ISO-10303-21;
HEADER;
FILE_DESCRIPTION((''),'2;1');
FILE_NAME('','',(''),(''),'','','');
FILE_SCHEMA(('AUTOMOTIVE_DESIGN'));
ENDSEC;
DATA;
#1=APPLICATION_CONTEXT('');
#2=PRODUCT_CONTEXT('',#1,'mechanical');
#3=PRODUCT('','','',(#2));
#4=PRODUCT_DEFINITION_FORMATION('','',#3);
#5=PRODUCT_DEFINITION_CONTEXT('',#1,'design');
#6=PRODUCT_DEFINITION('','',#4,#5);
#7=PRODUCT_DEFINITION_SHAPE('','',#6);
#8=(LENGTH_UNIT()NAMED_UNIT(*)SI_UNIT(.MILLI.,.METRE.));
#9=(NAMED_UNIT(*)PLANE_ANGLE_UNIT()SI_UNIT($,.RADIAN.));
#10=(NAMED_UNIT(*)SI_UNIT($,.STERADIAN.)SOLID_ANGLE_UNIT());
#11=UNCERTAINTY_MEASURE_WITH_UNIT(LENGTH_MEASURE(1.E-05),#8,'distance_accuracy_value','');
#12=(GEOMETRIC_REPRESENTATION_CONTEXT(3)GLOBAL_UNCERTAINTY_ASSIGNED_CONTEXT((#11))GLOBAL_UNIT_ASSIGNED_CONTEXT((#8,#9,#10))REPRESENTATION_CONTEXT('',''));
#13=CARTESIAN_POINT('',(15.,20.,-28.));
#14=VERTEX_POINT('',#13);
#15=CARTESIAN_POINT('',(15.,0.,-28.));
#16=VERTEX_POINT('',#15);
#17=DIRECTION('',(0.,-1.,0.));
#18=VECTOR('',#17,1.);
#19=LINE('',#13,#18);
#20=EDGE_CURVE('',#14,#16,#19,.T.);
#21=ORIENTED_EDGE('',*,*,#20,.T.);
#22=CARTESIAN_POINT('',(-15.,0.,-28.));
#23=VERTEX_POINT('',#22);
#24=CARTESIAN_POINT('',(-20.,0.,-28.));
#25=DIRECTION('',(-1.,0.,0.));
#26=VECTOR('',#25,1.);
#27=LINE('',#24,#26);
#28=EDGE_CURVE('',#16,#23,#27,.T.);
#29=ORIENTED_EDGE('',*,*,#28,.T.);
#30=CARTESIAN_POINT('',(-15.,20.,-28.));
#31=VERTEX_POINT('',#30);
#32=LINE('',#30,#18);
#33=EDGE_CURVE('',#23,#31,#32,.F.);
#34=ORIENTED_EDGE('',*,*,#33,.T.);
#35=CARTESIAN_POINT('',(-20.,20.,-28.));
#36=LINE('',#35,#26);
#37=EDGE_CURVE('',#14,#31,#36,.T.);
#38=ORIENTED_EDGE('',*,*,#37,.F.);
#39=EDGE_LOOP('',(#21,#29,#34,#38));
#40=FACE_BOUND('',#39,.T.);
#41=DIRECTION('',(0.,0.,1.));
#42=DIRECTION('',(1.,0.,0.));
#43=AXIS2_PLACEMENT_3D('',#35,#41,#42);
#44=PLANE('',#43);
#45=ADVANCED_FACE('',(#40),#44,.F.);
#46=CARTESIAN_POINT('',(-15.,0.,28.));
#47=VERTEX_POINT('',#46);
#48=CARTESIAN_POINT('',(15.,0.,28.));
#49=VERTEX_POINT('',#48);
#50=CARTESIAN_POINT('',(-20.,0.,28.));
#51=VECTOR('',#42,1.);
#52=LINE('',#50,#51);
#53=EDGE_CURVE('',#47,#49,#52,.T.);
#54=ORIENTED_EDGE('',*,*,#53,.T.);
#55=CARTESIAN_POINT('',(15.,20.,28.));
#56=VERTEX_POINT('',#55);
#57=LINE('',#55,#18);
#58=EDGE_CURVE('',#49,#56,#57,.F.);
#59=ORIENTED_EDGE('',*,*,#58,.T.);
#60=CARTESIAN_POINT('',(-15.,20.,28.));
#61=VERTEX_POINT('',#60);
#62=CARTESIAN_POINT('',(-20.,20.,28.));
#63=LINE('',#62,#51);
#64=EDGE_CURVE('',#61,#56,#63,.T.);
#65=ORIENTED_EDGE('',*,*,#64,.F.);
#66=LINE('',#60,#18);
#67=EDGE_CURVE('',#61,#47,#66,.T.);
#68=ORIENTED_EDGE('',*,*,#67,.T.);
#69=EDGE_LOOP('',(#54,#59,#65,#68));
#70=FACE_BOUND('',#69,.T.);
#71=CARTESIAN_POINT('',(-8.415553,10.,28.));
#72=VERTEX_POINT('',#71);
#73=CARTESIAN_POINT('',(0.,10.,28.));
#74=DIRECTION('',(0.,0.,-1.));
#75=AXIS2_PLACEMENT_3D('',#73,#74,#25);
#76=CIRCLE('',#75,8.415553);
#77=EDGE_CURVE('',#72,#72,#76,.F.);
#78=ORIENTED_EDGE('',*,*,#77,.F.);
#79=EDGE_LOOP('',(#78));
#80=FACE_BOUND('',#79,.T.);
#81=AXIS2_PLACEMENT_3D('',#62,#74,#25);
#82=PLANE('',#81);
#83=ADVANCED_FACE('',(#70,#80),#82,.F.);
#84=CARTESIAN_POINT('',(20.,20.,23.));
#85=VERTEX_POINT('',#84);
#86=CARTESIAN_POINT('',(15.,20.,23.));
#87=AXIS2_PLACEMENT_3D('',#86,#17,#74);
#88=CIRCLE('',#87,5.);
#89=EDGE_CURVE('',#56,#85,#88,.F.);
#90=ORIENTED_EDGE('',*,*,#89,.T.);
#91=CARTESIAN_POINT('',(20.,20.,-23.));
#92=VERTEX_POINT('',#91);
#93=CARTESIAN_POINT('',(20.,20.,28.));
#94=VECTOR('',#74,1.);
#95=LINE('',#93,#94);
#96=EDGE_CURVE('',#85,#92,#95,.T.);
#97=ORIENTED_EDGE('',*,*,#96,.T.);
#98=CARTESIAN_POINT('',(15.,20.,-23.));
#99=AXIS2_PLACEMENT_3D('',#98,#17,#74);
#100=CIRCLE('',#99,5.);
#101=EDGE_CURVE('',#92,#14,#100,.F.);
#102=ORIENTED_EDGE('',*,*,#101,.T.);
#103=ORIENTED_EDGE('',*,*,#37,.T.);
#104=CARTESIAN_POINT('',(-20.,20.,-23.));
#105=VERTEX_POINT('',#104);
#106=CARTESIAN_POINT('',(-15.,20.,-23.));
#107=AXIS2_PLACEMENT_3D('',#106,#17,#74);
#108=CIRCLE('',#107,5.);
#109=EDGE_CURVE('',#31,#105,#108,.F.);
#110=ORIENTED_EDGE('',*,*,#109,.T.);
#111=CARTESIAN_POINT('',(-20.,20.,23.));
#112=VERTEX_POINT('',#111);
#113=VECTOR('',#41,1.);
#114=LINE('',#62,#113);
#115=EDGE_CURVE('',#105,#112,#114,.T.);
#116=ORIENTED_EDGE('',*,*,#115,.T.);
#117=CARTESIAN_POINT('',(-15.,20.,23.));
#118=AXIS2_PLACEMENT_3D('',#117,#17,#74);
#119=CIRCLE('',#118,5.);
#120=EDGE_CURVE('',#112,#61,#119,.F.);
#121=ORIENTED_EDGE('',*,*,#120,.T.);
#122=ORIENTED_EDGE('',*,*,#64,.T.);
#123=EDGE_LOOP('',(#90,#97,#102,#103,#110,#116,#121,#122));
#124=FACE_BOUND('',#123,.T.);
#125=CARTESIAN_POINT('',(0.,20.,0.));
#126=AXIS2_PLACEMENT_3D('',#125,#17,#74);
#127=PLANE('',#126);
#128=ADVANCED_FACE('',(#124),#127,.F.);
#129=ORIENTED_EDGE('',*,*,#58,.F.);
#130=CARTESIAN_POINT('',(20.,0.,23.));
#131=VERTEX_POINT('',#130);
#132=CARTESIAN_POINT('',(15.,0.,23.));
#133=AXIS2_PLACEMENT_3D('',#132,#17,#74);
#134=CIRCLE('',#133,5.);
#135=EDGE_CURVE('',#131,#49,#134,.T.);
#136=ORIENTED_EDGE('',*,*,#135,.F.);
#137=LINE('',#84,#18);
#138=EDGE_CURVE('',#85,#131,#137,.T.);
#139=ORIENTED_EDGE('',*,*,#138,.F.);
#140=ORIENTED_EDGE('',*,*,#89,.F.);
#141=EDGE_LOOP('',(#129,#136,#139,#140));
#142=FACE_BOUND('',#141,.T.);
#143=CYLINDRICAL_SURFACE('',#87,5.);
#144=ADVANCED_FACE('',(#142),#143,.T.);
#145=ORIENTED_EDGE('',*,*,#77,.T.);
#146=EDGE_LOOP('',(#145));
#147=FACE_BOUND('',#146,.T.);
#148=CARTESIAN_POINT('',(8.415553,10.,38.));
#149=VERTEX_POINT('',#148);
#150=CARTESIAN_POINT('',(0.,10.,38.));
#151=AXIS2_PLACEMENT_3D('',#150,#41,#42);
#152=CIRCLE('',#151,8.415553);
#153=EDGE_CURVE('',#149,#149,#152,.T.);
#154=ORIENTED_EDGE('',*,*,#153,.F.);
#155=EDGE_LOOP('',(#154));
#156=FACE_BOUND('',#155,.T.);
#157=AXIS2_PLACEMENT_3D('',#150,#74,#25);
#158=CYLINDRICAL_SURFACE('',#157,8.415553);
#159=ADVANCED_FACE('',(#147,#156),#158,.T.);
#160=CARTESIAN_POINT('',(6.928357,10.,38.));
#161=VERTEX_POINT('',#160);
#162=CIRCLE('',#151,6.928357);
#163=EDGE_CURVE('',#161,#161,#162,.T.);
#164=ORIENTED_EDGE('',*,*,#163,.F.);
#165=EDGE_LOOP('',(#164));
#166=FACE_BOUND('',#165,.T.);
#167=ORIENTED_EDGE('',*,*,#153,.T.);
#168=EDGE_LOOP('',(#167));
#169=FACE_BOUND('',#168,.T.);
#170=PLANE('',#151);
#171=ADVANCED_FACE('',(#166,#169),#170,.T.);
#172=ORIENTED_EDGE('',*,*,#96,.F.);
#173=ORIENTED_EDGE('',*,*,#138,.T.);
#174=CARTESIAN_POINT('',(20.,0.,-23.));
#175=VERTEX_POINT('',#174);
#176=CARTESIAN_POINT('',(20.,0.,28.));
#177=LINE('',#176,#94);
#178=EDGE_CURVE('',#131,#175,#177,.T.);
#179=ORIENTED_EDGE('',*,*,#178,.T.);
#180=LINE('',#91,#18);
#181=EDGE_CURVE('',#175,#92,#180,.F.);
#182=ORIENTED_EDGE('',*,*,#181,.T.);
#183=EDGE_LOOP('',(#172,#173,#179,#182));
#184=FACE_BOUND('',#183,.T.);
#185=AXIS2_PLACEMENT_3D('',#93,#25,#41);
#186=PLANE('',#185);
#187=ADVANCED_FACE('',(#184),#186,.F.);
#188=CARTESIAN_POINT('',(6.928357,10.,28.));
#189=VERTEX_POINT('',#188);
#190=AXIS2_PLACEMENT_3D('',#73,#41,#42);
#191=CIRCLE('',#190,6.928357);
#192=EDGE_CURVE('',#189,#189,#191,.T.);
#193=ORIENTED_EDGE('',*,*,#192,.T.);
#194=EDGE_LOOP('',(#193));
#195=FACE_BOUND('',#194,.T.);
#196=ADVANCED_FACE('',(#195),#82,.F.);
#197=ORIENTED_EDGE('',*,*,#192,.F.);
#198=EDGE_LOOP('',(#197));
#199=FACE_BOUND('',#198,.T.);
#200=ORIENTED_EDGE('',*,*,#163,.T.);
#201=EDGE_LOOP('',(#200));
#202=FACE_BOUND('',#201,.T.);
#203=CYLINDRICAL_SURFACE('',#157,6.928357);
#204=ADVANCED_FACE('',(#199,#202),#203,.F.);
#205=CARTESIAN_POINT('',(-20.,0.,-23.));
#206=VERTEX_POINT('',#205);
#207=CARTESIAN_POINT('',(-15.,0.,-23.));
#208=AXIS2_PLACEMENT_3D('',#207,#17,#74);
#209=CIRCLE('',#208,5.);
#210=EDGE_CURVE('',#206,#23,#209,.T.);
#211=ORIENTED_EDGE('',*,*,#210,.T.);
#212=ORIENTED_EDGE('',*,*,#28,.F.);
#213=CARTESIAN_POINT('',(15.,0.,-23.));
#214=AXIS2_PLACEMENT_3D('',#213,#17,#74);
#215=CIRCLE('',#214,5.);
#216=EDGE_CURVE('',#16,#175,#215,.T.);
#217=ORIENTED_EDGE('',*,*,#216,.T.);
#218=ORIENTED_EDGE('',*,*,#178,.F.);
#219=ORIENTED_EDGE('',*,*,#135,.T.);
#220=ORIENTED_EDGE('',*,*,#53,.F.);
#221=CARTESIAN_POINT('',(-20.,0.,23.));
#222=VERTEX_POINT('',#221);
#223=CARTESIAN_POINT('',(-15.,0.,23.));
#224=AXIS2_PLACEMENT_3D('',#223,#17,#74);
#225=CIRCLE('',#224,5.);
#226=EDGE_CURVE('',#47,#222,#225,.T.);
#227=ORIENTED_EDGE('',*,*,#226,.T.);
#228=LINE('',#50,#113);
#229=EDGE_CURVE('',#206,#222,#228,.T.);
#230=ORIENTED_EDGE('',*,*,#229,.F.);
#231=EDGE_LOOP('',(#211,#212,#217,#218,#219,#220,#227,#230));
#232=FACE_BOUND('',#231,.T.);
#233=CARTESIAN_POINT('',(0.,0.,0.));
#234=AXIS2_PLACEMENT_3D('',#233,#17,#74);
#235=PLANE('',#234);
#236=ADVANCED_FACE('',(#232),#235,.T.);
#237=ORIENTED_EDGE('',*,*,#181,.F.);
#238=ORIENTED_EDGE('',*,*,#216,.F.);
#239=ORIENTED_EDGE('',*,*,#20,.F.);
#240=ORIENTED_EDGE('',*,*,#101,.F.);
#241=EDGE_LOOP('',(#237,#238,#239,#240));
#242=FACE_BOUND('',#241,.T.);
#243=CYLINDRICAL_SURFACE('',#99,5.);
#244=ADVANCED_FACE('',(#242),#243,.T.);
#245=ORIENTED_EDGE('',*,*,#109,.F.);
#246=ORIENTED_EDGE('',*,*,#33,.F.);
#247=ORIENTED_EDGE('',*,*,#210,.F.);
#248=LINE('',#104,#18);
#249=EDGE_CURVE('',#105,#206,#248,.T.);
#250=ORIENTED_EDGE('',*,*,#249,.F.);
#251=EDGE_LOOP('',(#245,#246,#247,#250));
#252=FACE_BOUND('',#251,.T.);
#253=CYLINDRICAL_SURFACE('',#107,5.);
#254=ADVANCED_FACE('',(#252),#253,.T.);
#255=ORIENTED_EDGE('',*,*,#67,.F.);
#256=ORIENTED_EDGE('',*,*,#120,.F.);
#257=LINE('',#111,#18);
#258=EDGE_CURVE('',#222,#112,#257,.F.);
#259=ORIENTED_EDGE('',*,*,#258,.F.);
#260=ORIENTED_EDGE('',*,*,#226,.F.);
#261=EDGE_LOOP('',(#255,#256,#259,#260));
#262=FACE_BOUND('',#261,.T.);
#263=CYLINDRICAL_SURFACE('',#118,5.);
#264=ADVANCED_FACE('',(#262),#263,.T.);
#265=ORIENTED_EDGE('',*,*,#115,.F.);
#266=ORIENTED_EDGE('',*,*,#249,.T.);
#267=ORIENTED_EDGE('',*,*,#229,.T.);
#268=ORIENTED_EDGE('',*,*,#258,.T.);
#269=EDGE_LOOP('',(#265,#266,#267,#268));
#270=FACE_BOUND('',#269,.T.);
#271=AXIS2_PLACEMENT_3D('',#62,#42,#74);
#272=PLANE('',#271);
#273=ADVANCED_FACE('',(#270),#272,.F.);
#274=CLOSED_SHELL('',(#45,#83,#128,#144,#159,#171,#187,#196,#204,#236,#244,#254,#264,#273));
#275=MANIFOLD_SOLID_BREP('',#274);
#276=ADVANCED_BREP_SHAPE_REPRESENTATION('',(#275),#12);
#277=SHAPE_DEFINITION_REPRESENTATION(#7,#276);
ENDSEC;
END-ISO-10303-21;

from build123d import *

# Parameters (mm, degrees)
SKETCH_2_W      = 40
SKETCH_2_H      = 56
EXTRUDE_1_DEPTH = 20
SKETCH_3_R      = 8.41555303
SKETCH_3_R_2    = 6.928356998
EXTRUDE_2_DEPTH = 10
FILLET_1_R      = 5


with BuildPart() as part:
    # 草图2 → 凸台-拉伸1 (new body)
    with BuildSketch(Plane(origin=(0, 0, 0), x_dir=(1, 0, 0), z_dir=(0, 1, 0))):
        Rectangle(SKETCH_2_W, SKETCH_2_H)
    extrude(amount=EXTRUDE_1_DEPTH)

    # 草图3 → 凸台-拉伸2 (add)
    with BuildSketch(Plane.XY.offset(28)):
        with Locations(Location((0, 10, 0), (0, 0, 180))):
            Circle(SKETCH_3_R)
        with Locations((0, 10)):
            Circle(SKETCH_3_R_2, mode=Mode.SUBTRACT)
    extrude(amount=EXTRUDE_2_DEPTH)

    # 圆角1
    fillet_1_edges = [part.edges().sort_by_distance(p)[0] for p in [
        (20, 10, 28),
        (-20, 10, 28),
        (-20, 10, -28),
        (20, 10, -28),
    ]]
    fillet(fillet_1_edges, radius=FILLET_1_R)


solid = part.part
